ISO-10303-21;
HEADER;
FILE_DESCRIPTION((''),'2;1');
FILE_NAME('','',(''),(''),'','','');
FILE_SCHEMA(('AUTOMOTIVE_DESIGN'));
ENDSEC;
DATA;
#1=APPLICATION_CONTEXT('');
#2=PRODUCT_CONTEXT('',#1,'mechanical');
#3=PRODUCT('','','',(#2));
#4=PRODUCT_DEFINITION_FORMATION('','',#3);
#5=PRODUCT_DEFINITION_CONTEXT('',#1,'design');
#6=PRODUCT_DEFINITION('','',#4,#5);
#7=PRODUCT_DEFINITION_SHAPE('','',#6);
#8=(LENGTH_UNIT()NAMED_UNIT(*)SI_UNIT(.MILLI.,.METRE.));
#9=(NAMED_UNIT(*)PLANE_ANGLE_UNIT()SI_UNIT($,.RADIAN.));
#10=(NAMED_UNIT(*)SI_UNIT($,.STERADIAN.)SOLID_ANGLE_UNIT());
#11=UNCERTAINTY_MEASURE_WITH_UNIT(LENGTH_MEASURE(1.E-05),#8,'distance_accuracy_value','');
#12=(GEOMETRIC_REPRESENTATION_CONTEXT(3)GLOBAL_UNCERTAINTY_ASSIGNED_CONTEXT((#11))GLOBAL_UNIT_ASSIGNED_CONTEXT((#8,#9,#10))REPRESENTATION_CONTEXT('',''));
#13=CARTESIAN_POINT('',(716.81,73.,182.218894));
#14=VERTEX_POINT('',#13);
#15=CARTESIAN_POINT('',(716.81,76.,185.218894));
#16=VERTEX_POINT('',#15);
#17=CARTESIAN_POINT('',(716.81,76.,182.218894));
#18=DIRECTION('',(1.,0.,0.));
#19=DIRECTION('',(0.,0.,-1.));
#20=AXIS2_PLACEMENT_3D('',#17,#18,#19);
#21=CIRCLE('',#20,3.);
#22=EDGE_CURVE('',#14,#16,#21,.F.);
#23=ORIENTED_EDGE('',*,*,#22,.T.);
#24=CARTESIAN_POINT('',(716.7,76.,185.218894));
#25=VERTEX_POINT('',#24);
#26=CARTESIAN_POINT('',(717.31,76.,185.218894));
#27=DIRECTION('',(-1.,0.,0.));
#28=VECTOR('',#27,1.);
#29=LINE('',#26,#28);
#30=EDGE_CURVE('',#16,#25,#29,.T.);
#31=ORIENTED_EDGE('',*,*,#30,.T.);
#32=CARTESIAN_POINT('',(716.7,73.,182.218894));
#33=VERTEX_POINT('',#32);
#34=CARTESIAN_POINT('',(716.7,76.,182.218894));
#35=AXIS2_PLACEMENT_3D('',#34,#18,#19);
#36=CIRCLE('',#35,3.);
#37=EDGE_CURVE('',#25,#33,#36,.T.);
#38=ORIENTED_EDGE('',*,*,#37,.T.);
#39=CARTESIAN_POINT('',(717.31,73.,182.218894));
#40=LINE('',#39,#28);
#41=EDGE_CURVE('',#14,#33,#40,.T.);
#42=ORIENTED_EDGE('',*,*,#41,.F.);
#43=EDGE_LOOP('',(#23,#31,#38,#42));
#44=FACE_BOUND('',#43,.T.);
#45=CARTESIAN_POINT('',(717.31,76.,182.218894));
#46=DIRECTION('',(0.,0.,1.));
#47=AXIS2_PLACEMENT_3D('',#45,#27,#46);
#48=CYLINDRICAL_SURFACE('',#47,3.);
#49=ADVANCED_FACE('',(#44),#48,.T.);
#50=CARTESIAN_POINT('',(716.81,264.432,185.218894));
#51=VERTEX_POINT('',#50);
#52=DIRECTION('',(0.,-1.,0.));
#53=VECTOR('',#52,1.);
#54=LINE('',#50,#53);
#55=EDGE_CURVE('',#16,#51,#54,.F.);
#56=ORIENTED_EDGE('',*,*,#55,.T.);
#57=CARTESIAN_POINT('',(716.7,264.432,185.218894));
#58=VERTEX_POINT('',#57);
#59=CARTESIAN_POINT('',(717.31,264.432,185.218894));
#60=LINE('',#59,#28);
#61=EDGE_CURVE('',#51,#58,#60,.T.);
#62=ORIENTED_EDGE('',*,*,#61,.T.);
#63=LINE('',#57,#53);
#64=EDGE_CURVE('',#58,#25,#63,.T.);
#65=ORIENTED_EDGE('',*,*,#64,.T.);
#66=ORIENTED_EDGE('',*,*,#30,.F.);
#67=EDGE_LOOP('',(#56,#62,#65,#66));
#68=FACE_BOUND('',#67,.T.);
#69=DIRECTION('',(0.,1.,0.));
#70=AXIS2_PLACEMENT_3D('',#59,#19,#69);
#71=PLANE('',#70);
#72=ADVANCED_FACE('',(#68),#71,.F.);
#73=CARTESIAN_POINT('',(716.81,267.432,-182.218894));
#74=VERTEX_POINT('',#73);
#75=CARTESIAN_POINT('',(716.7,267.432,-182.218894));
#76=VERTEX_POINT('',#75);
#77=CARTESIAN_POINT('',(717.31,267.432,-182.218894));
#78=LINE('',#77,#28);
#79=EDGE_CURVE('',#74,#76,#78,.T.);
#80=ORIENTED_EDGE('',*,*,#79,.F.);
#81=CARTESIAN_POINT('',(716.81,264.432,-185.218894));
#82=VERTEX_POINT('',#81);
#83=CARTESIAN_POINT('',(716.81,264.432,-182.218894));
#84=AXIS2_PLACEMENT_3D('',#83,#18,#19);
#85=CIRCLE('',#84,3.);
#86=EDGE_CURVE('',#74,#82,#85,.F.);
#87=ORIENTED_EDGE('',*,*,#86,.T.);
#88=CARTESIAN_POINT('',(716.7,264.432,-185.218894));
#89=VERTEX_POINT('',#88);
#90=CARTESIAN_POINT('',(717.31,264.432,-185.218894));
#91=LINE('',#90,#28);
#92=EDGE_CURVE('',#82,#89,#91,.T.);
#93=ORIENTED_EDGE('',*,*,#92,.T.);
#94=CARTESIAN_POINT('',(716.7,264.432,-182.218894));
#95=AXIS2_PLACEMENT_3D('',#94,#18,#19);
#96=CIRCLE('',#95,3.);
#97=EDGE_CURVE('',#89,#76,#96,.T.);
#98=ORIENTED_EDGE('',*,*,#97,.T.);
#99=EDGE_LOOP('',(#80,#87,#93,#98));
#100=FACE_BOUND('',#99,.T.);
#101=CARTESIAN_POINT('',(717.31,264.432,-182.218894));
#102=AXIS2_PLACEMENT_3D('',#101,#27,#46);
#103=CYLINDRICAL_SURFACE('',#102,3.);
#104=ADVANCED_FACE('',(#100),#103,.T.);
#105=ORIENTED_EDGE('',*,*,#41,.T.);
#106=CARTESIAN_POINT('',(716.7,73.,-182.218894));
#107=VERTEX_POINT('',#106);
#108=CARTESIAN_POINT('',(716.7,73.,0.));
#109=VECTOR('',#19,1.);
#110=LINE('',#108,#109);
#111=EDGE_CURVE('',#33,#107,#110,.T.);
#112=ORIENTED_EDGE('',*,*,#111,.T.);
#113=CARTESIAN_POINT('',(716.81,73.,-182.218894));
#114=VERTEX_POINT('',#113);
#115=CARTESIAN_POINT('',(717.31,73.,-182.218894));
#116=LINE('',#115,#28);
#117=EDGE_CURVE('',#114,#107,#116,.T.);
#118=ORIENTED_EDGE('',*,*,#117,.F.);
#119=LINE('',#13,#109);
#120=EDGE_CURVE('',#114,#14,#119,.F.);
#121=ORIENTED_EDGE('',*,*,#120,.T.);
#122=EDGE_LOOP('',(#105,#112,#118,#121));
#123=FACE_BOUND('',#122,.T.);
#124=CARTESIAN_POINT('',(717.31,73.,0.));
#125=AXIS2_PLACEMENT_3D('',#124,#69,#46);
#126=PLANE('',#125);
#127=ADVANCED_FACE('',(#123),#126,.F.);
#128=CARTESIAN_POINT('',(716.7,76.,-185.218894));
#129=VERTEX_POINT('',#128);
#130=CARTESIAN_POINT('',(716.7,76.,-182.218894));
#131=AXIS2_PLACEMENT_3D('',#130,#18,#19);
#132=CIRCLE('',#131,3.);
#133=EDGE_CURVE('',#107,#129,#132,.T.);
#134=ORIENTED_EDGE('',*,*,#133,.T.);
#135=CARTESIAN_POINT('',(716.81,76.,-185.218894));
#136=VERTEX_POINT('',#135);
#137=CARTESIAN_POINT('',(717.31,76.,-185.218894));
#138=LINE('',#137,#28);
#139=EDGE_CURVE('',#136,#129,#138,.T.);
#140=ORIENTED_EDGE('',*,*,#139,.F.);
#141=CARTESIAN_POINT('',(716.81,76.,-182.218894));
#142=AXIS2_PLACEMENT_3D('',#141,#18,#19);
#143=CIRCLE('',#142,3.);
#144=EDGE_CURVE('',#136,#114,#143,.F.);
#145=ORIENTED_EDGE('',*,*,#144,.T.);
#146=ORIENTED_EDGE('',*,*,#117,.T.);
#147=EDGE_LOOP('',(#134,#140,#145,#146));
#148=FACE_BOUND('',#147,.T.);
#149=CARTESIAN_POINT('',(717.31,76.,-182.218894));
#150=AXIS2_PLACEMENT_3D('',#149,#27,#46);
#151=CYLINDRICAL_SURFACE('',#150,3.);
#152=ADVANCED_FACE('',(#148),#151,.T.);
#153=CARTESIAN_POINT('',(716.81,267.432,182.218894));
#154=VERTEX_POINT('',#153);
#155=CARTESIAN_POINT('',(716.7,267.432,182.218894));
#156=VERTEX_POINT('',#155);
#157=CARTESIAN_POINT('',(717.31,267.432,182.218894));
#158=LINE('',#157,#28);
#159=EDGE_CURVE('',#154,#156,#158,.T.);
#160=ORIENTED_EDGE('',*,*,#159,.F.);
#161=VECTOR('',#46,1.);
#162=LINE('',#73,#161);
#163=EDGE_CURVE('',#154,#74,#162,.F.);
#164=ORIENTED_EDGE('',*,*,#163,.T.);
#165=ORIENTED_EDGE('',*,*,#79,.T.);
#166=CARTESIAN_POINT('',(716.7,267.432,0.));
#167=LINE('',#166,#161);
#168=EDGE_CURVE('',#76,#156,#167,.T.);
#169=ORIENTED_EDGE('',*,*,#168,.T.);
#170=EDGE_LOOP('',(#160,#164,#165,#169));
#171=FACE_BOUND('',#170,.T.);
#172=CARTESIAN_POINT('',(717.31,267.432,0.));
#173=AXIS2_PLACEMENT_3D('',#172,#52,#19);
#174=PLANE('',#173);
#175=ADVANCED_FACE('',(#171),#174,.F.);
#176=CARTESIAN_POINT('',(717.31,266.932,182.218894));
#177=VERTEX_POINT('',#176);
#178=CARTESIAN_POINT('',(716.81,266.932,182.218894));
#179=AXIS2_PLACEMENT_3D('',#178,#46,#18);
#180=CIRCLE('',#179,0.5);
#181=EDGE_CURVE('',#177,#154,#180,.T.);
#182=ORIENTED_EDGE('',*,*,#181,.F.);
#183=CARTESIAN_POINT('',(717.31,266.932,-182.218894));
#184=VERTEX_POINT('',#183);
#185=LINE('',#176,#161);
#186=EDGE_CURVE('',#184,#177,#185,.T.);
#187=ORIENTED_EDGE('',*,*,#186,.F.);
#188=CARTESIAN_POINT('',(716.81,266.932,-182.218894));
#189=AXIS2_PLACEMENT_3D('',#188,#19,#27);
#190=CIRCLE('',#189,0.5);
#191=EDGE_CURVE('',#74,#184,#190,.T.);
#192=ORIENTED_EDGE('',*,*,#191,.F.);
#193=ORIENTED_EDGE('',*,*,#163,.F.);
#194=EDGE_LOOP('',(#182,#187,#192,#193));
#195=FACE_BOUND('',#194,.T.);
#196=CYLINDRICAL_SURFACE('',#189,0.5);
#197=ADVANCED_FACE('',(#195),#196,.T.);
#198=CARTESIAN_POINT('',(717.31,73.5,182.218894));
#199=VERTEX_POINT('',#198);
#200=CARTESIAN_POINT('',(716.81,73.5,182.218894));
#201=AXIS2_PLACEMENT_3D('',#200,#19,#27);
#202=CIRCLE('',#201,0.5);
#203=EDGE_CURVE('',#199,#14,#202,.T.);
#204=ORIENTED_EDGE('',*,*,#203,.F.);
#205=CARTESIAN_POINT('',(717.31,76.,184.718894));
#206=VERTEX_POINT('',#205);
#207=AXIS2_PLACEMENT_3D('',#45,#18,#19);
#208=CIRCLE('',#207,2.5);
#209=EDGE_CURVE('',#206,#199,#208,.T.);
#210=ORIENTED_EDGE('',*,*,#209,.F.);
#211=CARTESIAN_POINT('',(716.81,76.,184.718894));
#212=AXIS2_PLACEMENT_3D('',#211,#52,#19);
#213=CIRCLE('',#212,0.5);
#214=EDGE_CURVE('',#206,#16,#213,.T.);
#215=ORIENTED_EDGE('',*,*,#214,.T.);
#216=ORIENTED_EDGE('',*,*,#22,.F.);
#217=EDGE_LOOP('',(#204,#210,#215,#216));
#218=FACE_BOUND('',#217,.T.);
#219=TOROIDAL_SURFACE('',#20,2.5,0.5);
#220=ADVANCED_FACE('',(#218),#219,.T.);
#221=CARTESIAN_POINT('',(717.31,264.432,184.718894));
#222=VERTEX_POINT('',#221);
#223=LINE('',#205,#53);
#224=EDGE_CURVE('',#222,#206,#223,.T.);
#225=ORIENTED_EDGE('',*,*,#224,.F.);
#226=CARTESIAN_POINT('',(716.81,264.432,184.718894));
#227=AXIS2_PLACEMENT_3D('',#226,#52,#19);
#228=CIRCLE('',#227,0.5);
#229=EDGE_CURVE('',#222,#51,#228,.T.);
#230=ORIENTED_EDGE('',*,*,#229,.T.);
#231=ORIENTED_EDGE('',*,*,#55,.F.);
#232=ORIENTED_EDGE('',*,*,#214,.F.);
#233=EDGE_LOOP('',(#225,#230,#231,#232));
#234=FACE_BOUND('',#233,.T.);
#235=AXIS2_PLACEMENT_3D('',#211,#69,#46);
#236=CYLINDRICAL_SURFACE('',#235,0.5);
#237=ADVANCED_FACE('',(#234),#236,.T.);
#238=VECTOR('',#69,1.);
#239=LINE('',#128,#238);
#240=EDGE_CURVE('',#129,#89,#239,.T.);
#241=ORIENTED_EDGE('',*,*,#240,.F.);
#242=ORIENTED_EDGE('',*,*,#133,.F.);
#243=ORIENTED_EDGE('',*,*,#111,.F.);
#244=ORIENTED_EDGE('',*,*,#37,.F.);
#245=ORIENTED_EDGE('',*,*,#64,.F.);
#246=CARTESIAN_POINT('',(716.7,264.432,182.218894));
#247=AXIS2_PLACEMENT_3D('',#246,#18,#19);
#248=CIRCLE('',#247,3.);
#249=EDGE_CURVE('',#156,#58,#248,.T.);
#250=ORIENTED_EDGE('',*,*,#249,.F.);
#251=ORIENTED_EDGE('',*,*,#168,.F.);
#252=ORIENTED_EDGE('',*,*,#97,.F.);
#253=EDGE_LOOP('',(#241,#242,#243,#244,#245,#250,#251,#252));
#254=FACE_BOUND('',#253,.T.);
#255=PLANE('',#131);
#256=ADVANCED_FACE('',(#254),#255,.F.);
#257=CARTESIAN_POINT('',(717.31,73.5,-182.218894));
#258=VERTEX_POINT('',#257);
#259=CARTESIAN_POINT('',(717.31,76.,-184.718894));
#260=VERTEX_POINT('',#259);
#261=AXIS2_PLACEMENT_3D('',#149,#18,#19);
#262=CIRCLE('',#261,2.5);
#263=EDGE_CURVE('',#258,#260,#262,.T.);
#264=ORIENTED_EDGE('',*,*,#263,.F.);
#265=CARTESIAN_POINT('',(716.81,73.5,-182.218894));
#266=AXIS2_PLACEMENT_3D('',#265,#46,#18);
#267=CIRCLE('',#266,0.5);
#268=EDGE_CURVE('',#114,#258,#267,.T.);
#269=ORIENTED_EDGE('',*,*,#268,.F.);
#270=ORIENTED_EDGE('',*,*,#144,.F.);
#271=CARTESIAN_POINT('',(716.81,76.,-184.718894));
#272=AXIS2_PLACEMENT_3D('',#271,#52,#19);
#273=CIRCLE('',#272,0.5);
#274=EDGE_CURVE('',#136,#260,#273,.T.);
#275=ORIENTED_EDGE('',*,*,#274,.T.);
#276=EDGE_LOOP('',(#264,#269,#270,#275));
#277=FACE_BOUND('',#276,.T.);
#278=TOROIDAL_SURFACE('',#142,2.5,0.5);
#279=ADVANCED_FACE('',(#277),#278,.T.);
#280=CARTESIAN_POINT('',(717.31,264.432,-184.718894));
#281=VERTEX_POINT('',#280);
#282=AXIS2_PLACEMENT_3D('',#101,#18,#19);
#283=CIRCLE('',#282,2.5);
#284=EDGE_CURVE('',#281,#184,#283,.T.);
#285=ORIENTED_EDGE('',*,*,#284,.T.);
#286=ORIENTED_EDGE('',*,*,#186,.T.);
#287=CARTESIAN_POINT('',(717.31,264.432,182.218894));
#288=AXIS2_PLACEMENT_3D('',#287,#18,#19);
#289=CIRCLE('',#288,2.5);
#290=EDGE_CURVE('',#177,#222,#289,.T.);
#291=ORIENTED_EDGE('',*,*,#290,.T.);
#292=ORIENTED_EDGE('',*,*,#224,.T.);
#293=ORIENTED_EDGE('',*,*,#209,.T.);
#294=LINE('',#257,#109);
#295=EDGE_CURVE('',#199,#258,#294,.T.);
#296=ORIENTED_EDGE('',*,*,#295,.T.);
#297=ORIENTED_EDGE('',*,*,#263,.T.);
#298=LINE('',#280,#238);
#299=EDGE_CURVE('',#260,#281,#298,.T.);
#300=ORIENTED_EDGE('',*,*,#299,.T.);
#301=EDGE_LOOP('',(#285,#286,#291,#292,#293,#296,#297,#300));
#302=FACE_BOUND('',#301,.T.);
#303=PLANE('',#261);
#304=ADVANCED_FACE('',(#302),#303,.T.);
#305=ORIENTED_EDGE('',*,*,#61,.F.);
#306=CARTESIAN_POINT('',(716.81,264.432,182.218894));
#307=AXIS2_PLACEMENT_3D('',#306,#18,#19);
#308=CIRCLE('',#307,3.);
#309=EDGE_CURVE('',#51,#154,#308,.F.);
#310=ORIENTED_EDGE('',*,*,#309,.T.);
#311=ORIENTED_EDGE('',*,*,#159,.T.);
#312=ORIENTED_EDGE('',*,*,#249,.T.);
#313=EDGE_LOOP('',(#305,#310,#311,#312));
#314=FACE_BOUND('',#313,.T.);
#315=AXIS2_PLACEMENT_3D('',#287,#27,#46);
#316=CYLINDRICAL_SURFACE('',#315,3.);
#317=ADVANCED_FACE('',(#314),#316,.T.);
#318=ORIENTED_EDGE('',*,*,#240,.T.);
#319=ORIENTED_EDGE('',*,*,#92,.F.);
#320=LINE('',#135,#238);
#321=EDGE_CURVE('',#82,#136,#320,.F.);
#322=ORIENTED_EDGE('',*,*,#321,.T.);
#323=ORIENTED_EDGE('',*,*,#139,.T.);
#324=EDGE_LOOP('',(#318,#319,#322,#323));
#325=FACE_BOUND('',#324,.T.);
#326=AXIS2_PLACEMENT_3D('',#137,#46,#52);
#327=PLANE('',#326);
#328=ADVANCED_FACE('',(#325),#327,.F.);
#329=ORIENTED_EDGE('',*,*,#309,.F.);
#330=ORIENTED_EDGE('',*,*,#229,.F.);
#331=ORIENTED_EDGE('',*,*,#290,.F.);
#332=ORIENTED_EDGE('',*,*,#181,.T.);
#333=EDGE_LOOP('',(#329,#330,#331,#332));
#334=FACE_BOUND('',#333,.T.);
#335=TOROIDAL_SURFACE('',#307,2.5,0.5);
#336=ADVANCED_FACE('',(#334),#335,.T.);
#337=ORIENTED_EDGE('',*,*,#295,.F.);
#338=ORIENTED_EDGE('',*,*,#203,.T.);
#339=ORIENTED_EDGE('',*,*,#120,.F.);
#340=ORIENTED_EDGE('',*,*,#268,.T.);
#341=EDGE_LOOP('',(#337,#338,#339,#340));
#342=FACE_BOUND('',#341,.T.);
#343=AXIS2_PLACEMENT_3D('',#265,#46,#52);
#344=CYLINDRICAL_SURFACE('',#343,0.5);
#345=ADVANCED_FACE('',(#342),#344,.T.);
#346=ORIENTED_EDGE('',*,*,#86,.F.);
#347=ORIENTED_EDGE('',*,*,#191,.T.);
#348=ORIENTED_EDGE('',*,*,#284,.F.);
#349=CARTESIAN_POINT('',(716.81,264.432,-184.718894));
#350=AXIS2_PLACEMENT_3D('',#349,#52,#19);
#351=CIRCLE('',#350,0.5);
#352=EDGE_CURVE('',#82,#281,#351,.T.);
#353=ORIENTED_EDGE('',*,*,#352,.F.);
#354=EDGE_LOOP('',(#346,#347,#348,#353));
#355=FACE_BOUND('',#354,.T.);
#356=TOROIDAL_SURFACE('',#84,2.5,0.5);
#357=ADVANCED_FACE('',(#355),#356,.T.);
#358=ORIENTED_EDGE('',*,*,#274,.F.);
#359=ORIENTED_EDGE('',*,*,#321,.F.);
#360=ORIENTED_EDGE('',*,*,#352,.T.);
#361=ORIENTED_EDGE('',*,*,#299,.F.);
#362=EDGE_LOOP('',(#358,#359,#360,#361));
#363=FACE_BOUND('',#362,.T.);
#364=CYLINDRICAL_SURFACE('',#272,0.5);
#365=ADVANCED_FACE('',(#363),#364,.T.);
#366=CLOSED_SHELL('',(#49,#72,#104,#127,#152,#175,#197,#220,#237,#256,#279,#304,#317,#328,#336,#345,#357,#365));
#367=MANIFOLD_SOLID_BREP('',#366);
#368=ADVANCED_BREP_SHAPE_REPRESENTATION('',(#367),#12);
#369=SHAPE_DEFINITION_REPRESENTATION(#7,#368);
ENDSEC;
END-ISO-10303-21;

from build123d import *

# Parameters (mm, degrees)
BOSS_EXTRUDE1_DEPTH = 0.61
FILLET1_R           = 0.5


with BuildPart() as part:
    # Sketch1 → Boss-Extrude1 (new body)
    with BuildSketch(Plane(origin=(716.7, 0, 0), x_dir=(0, 0, -1), z_dir=(1, 0, 0))):
        with BuildLine():
            Line((185.218894284, 76), (185.218894284, 264.432))
            ThreePointArc((185.218894284, 264.432), (184.340214627, 266.553320344), (182.218894284, 267.432))
            Line((182.218894284, 267.432), (0, 267.432))
            Line((0, 267.432), (-182.218894284, 267.432))
            ThreePointArc((-182.218894284, 267.432), (-184.340214627, 266.553320344), (-185.218894284, 264.432))
            Line((-185.218894284, 264.432), (-185.218894284, 76))
            ThreePointArc((-185.218894284, 76), (-184.340214627, 73.878679656), (-182.218894284, 73))
            Line((-182.218894284, 73), (0, 73))
            Line((0, 73), (182.218894284, 73))
            ThreePointArc((182.218894284, 73), (184.340214627, 73.878679656), (185.218894284, 76))
        make_face()
    extrude(amount=BOSS_EXTRUDE1_DEPTH)

    # Fillet1
    fillet1_edges = [part.edges().sort_by_distance(p)[0] for p in [
        (717.31, 266.553320344, -184.340214627),
        (717.31, 267.432, 0),
        (717.31, 266.553320344, 184.340214627),
        (717.31, 170.216, 185.218894284),
        (717.31, 73.878679656, 184.340214627),
        (717.31, 73, 0),
        (717.31, 73.878679656, -184.340214627),
        (717.31, 170.216, -185.218894284),
    ]]
    fillet(fillet1_edges, radius=FILLET1_R)


solid = part.part
